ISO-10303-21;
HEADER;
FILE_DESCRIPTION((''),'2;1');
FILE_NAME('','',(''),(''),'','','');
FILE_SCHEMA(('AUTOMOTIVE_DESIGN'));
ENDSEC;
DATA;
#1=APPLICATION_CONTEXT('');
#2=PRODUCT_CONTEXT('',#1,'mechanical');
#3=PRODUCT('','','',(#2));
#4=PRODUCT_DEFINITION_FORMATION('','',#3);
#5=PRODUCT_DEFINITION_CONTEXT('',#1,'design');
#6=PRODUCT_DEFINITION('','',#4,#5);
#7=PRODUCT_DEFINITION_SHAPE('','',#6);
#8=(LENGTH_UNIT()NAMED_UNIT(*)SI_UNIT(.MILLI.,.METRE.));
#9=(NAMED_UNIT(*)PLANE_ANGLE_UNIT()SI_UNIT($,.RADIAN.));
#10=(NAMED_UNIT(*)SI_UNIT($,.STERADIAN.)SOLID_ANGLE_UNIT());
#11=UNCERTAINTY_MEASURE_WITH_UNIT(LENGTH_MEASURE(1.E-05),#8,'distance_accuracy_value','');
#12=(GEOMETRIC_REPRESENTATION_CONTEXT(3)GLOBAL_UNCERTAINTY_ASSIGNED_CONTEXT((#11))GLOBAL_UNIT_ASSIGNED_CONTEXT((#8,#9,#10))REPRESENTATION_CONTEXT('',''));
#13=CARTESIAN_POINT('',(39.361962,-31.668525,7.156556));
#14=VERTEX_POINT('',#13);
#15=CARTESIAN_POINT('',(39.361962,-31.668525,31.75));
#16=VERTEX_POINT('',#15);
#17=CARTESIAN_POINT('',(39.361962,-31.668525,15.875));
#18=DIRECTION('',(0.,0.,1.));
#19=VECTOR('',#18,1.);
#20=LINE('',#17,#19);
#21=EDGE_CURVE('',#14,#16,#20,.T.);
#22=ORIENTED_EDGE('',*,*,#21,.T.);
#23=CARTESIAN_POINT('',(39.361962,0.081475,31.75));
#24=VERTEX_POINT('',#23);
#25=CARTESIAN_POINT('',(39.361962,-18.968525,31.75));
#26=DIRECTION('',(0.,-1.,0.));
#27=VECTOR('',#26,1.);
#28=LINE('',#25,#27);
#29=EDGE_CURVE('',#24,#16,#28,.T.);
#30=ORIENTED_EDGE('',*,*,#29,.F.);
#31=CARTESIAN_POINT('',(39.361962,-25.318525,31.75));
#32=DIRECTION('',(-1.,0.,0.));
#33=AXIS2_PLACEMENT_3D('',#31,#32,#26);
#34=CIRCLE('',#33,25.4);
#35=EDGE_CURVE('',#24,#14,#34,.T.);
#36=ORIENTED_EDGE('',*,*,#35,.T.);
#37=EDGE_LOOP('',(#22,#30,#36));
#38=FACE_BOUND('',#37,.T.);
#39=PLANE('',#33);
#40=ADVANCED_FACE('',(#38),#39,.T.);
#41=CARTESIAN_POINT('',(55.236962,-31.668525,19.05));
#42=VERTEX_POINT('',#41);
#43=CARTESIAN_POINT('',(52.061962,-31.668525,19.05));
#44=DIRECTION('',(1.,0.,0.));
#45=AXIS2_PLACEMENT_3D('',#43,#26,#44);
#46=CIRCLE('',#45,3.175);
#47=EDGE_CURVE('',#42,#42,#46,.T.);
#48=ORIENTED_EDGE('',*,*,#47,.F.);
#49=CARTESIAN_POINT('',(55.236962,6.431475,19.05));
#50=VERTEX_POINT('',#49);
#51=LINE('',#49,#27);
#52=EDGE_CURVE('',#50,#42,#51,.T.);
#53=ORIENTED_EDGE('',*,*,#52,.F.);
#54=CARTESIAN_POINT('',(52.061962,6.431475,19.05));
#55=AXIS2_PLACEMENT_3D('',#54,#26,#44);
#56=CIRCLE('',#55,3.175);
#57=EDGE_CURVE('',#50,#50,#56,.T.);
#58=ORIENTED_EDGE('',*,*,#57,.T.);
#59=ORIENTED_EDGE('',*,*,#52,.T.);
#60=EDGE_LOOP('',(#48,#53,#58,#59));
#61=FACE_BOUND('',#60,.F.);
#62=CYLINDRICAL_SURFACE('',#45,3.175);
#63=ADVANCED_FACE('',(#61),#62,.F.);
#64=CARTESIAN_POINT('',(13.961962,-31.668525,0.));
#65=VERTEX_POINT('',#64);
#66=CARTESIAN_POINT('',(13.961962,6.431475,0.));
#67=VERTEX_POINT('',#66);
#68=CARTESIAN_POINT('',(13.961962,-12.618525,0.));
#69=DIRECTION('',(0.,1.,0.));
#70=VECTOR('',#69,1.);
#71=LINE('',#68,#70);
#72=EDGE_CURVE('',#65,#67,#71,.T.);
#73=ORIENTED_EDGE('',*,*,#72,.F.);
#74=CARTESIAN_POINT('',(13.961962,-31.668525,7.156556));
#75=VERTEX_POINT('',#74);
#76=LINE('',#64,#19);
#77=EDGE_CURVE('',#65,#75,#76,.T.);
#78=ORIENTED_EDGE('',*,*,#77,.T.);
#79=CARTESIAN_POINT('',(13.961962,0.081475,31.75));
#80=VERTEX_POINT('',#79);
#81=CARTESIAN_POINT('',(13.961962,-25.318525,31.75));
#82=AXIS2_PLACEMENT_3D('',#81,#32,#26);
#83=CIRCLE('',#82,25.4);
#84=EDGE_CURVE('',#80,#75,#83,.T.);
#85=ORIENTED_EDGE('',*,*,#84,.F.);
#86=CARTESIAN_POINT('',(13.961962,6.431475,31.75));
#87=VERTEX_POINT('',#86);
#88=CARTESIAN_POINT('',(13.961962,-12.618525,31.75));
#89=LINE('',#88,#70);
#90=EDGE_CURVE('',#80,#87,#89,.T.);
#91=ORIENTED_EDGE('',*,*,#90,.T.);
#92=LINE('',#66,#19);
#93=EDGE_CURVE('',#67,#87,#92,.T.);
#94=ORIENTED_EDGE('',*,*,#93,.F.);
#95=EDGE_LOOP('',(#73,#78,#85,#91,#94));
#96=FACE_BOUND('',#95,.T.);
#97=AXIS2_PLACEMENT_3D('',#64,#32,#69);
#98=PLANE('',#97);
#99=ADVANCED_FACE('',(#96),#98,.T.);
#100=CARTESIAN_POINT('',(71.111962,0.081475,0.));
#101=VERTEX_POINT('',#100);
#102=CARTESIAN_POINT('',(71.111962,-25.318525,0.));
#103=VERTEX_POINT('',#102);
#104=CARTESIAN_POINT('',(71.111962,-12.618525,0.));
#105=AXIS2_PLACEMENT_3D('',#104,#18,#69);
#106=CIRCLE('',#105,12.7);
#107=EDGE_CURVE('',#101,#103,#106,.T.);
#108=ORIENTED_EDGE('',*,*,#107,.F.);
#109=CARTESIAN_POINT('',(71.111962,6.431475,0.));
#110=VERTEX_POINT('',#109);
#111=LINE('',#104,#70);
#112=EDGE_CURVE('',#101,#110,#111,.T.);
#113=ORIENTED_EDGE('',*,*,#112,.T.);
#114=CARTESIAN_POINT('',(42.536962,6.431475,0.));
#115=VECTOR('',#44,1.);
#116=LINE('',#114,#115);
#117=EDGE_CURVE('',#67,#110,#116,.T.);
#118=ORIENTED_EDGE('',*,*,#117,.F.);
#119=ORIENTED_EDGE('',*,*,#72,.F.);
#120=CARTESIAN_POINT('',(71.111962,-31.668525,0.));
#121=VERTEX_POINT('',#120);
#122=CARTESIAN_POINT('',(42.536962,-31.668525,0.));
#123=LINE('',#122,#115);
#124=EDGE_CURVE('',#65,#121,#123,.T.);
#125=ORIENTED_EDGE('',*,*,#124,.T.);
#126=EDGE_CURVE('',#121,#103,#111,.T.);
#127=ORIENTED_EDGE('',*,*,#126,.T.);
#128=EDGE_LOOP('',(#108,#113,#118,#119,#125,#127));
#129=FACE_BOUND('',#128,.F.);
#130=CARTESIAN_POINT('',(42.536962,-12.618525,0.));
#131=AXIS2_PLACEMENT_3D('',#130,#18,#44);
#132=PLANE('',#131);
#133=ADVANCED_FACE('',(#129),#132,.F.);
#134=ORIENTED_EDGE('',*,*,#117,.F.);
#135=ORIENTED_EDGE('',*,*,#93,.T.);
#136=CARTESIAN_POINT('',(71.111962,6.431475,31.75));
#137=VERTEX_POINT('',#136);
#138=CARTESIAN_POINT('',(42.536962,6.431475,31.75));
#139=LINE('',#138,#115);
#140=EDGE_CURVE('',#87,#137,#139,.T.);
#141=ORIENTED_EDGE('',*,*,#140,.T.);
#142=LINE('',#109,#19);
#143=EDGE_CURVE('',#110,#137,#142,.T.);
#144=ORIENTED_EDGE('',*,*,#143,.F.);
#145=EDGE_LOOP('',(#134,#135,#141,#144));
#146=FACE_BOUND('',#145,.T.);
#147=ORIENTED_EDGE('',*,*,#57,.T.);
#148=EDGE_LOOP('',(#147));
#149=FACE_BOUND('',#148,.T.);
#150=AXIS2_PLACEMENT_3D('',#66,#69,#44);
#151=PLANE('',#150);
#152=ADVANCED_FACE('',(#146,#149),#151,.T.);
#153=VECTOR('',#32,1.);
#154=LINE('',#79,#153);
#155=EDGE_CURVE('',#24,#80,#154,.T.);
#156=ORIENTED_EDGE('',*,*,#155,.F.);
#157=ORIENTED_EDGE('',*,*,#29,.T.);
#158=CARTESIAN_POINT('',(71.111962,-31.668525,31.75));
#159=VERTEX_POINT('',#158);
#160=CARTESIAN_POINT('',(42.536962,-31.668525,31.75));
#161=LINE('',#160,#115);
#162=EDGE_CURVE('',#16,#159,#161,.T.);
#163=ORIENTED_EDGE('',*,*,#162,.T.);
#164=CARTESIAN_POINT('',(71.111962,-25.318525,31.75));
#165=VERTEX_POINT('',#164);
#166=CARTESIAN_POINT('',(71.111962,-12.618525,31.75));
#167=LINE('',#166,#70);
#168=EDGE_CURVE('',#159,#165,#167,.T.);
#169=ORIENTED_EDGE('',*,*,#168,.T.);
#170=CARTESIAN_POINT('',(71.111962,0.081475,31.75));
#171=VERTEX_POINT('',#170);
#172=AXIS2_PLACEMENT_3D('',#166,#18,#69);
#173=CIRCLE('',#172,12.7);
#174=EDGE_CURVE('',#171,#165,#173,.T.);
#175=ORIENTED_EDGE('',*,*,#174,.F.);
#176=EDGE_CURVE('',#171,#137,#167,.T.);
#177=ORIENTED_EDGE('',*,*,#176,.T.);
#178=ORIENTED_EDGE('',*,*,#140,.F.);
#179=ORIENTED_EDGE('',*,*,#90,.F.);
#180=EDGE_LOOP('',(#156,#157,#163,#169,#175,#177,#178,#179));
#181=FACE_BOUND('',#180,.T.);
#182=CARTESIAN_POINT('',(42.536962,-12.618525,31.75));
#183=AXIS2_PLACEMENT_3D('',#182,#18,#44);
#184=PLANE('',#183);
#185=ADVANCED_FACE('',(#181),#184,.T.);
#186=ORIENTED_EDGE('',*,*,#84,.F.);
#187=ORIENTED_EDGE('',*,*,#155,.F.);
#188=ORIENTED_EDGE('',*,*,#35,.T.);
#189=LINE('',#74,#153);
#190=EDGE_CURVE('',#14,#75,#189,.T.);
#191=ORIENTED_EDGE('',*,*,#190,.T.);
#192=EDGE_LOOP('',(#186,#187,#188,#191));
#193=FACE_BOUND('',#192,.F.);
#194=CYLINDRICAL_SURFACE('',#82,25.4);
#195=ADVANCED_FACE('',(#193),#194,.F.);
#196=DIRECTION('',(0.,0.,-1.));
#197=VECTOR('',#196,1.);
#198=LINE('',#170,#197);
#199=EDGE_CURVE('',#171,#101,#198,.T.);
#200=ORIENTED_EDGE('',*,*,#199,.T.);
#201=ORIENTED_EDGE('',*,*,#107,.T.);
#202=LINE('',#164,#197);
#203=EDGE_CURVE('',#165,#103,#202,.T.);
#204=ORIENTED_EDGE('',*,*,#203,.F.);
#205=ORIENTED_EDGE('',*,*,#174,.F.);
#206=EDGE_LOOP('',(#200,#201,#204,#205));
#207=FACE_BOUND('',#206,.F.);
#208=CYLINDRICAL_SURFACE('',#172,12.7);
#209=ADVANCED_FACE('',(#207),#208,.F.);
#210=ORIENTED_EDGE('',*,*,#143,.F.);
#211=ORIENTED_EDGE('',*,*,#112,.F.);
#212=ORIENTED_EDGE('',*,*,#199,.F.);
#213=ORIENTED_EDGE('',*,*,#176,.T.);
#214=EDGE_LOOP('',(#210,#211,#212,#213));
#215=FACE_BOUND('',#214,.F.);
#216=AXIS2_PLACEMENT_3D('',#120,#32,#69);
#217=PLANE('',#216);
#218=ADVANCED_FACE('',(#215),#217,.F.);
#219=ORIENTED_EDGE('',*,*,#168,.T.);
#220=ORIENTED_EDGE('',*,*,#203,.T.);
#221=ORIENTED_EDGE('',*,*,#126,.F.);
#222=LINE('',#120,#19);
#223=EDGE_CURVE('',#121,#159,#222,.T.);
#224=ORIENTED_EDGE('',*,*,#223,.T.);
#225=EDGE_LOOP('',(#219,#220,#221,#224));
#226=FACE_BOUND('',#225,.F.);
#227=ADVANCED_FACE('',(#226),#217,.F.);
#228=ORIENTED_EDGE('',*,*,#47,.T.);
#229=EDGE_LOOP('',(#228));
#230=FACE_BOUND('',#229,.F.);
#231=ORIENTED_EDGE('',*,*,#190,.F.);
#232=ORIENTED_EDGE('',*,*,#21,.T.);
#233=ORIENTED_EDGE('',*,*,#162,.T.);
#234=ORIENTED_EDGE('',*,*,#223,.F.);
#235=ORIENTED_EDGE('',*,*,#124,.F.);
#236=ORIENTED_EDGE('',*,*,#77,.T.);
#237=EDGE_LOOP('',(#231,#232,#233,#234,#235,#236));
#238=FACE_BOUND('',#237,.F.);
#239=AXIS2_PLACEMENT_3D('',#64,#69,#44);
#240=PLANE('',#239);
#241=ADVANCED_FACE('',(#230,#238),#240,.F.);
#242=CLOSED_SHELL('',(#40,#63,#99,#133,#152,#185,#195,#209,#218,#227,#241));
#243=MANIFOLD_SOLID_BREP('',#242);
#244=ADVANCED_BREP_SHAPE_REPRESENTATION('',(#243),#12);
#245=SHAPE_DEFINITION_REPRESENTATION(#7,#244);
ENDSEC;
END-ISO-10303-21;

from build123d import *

# Parameters (mm, degrees)
F0_W     = 57.15
F0_H     = 38.1
F1_DEPTH = 31.75
F3_DEPTH = 31.75
F4_R     = 3.175
F5_DEPTH = 37.846
F6_DEPTH = 38.1
F7_R     = 25.4
F8_DEPTH = 25.4


with BuildPart() as f1:
    # F0 (on Top) → F1 (new body)
    with BuildSketch(Plane.XY):
        with Locations((42.536962, -12.618525)):
            Rectangle(F0_W, F0_H)
    extrude(amount=F1_DEPTH)

    # F2 (on face) → F3 (cut)
    with BuildSketch(Plane.XY.offset(31.75)):
        with BuildLine():
            ThreePointArc((71.111962, -25.318525), (80.092218, -21.598781), (83.811962, -12.618525))
            ThreePointArc((83.811962, -12.618525), (80.092218, -3.638269), (71.111962, 0.081475))
            Line((71.111962, 0.081475), (71.111962, -25.318525))
        make_face()
        with BuildLine():
            Line((71.111962, -25.318525), (71.111962, 0.081475))
            ThreePointArc((71.111962, 0.081475), (58.411962, -12.618525), (71.111962, -25.318525))
        make_face()
    extrude(amount=-F3_DEPTH, mode=Mode.SUBTRACT)

    # F4 (on face) → F5 (cut)
    with BuildSketch(Plane.XZ.offset(31.668525)):
        with Locations((52.061962, 19.05)):
            Circle(F4_R)
    extrude(amount=-F5_DEPTH, mode=Mode.SUBTRACT)

    # F4 (on face) → F6 (cut)
    with BuildSketch(Plane.XZ.offset(31.668525)):
        with Locations((52.061962, 19.05)):
            Circle(F4_R)
    extrude(amount=-F6_DEPTH, mode=Mode.SUBTRACT)

    # F7 (on face) → F8 (cut)
    with BuildSketch(Plane(origin=(13.961962, 0, 0), x_dir=(0, -1, 0), z_dir=(-1, 0, 0))):
        with Locations((25.318525, 31.75)):
            Circle(F7_R)
    extrude(amount=-F8_DEPTH, mode=Mode.SUBTRACT)


solid = f1.part
